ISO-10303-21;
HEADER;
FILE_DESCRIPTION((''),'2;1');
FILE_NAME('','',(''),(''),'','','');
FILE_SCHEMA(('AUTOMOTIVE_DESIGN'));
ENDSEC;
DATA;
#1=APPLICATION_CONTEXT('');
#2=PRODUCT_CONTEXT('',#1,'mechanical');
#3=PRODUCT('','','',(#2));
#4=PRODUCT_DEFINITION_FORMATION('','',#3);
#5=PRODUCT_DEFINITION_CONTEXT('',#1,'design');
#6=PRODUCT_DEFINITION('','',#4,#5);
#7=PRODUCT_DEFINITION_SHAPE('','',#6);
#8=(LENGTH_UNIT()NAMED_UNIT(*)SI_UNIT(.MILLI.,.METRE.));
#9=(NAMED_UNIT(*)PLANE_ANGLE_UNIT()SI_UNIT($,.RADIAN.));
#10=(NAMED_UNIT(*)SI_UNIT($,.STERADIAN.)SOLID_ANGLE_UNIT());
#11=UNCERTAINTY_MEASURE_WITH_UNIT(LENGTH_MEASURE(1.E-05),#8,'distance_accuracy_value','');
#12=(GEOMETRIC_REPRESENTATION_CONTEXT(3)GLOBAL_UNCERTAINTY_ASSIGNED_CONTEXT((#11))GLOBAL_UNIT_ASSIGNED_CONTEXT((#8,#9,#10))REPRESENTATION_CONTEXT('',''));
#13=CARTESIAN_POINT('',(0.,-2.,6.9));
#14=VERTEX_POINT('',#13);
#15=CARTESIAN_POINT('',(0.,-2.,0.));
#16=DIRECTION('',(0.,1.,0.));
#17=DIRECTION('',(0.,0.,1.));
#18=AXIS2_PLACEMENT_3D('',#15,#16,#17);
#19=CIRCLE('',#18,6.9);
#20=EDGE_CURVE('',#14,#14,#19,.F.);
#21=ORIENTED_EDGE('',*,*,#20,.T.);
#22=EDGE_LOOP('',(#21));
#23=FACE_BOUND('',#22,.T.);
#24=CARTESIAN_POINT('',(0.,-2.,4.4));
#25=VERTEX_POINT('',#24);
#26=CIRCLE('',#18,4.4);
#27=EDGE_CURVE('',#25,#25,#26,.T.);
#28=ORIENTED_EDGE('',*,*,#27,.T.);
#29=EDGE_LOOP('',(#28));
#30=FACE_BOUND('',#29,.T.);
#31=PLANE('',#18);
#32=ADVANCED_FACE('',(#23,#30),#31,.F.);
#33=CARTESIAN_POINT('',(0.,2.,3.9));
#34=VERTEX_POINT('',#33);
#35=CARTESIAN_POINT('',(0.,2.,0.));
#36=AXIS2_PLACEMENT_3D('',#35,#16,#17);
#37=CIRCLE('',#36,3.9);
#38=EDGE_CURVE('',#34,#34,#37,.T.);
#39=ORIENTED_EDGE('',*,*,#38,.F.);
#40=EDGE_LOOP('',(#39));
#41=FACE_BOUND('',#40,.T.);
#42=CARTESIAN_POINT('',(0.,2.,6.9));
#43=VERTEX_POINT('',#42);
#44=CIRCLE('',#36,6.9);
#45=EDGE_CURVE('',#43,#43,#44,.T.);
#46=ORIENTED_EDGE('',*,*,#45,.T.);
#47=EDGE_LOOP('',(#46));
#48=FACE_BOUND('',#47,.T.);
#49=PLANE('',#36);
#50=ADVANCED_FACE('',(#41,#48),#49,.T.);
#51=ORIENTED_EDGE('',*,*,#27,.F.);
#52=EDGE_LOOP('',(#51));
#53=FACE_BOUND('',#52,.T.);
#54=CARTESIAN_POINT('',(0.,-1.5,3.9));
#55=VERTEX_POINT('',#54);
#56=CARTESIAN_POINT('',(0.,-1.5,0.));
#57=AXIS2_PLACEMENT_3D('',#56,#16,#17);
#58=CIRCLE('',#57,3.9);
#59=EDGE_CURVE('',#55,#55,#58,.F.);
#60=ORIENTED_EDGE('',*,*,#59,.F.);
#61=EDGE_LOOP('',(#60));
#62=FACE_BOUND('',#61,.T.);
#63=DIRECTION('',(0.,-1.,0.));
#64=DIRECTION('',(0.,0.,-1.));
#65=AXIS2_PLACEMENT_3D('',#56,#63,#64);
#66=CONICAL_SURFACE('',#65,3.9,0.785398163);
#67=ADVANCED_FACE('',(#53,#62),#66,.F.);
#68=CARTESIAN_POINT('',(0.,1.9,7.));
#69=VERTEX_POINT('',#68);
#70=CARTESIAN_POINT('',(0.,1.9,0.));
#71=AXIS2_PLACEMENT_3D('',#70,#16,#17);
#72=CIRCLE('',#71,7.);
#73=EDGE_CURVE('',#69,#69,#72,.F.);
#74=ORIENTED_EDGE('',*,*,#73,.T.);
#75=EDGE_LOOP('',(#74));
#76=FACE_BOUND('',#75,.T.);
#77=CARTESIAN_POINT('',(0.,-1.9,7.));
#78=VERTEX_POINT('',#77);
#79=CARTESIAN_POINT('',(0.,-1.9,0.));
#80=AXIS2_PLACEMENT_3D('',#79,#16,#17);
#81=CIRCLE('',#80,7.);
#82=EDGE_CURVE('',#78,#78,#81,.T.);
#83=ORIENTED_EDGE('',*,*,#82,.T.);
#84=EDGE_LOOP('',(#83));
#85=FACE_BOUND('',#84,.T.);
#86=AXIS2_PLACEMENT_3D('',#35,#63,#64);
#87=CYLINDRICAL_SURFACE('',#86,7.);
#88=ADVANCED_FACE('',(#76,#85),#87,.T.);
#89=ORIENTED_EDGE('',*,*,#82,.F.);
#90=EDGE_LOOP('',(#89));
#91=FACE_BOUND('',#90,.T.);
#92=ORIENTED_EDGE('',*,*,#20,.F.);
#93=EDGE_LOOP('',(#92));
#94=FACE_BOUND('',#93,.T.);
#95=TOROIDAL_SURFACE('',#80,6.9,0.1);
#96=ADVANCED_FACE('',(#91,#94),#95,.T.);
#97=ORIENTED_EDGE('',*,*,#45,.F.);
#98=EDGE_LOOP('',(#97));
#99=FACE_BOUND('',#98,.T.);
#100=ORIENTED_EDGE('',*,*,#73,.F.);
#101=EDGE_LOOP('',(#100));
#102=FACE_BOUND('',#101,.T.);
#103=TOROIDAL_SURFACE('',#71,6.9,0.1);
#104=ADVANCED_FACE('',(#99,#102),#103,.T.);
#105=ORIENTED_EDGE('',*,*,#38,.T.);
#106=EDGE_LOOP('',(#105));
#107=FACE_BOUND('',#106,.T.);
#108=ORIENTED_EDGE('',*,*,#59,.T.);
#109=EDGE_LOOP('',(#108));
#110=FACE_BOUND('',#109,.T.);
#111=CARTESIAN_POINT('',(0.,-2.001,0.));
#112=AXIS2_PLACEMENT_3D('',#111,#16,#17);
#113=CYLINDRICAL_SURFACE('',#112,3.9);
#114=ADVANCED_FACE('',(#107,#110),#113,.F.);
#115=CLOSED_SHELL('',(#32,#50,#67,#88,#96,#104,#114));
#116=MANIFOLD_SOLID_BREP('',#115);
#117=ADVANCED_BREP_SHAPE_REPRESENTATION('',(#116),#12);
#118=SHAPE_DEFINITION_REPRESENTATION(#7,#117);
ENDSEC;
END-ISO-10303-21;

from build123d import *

# Parameters (mm, degrees)
SKETCH1_R           = 7
BOSS_EXTRUDE1_DEPTH = 2
CUT_EXTRUDE1_REACH  = 12.677
SKETCH2_R           = 3.9
CHAMFER1_SIZE       = 0.5
FILLET1_R           = 0.1


with BuildPart() as part:
    # Sketch1 → Boss-Extrude1 (new, symmetric)
    with BuildSketch(Plane(origin=(0, 0, 0), x_dir=(1, 0, 0), z_dir=(0, 1, 0))):
        with Locations(Location((0, 0, 0), (0, 0, 270))):
            Circle(SKETCH1_R)
    extrude(amount=BOSS_EXTRUDE1_DEPTH, both=True)

    # Sketch2 → Cut-Extrude1 (cut, up to next)
    with BuildSketch(Plane(origin=(0, 2, 0), x_dir=(1, 0, 0), z_dir=(0, 1, 0)), mode=Mode.PRIVATE) as cut_extrude1_sk1:
        with Locations(Location((0, 0, 0), (0, 0, 270))):
            Circle(SKETCH2_R)
    cut_extrude1_tool1 = extrude(cut_extrude1_sk1.sketch, amount=-CUT_EXTRUDE1_REACH, mode=Mode.PRIVATE) & part.part
    add(cut_extrude1_tool1.solids().sort_by_distance((0, 2, 0))[0], mode=Mode.SUBTRACT)

    # Chamfer1
    chamfer1_edges = [part.edges().sort_by_distance(p)[0] for p in [
        (0, -2, -3.9),
    ]]
    chamfer(chamfer1_edges, length=CHAMFER1_SIZE)

    # Fillet1
    fillet1_edges = [part.edges().sort_by_distance(p)[0] for p in [
        (0, -2, -7),
        (0, 2, -7),
    ]]
    fillet(fillet1_edges, radius=FILLET1_R)


solid = part.part
